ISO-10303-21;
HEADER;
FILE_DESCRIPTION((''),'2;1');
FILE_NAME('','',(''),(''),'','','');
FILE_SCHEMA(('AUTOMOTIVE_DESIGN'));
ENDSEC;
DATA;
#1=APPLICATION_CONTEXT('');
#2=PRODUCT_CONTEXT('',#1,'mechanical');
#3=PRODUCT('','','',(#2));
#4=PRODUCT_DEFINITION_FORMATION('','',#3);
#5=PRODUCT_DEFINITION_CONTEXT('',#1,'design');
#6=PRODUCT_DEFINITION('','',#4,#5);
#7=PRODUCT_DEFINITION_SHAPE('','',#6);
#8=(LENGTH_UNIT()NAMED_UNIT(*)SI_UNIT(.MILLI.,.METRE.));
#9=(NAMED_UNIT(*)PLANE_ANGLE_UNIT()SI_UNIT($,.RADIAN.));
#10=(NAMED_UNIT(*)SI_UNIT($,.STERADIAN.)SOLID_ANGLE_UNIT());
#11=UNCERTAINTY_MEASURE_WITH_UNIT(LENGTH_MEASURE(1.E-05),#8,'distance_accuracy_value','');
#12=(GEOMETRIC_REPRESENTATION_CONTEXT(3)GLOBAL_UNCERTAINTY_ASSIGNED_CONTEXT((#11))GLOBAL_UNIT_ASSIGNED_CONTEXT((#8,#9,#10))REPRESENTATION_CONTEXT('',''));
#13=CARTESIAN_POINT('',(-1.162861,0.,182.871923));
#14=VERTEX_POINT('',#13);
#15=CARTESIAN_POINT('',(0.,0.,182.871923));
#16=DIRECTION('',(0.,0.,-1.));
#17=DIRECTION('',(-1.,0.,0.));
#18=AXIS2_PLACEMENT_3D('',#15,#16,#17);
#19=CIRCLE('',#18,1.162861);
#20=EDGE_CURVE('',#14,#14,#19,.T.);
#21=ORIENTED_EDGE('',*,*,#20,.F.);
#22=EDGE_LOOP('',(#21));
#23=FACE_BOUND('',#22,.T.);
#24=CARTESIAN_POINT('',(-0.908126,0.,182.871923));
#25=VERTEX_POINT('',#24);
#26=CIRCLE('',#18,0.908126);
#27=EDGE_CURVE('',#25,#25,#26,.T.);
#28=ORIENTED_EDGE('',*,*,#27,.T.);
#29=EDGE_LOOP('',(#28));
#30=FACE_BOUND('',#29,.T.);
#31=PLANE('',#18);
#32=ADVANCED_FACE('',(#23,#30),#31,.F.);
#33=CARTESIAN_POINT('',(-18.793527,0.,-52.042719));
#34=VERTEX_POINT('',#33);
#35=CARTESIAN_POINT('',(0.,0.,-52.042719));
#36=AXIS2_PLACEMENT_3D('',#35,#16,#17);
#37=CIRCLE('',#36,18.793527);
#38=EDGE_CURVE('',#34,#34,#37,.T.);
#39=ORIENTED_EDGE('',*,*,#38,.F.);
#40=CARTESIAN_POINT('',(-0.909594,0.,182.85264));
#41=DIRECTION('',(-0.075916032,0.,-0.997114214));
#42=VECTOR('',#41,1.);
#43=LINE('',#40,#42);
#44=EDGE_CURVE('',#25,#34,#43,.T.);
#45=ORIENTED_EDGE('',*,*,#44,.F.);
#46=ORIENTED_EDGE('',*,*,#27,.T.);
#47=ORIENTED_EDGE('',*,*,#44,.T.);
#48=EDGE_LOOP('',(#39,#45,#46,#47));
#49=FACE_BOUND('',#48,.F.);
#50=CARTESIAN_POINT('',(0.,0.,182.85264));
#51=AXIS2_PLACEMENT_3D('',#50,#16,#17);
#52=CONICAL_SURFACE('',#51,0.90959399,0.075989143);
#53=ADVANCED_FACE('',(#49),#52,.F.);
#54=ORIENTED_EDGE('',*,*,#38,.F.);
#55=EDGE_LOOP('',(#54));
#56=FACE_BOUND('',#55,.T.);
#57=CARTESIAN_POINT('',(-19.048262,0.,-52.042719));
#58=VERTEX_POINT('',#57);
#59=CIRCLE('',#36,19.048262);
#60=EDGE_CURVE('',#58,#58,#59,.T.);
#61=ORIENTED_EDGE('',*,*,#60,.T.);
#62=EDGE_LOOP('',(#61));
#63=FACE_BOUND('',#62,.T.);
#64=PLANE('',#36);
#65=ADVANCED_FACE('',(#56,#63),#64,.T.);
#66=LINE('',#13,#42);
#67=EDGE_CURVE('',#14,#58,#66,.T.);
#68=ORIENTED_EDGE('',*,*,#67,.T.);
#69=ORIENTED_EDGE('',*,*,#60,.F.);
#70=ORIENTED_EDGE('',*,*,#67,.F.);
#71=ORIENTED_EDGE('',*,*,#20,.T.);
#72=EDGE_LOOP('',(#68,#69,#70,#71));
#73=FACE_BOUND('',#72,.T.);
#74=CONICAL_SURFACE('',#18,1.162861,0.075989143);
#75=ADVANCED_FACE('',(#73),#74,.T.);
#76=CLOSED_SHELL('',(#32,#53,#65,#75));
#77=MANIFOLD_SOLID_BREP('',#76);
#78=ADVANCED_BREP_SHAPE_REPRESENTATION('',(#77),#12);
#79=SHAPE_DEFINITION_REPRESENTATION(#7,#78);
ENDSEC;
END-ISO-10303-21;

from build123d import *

# Parameters (mm, degrees)
F2_T = -0.254


with BuildPart() as f1:
    # F0 (on Front) → F1 (revolve)
    with BuildSketch(Plane.XZ):
        Polygon((-19.048262, -52.042719), (0, -52.042719), (0, 182.871923), (-1.162861, 182.871923), align=None)
    revolve(axis=Axis((0, 0, 65.414602), (0, 0, -1)))

    # F2
    f2_openings = [f1.faces().sort_by_distance(p)[0] for p in [
        (0, 0, -52.042719),
        (0, 0, 182.871923),
    ]]
    offset(amount=F2_T, openings=f2_openings)


solid = f1.part
